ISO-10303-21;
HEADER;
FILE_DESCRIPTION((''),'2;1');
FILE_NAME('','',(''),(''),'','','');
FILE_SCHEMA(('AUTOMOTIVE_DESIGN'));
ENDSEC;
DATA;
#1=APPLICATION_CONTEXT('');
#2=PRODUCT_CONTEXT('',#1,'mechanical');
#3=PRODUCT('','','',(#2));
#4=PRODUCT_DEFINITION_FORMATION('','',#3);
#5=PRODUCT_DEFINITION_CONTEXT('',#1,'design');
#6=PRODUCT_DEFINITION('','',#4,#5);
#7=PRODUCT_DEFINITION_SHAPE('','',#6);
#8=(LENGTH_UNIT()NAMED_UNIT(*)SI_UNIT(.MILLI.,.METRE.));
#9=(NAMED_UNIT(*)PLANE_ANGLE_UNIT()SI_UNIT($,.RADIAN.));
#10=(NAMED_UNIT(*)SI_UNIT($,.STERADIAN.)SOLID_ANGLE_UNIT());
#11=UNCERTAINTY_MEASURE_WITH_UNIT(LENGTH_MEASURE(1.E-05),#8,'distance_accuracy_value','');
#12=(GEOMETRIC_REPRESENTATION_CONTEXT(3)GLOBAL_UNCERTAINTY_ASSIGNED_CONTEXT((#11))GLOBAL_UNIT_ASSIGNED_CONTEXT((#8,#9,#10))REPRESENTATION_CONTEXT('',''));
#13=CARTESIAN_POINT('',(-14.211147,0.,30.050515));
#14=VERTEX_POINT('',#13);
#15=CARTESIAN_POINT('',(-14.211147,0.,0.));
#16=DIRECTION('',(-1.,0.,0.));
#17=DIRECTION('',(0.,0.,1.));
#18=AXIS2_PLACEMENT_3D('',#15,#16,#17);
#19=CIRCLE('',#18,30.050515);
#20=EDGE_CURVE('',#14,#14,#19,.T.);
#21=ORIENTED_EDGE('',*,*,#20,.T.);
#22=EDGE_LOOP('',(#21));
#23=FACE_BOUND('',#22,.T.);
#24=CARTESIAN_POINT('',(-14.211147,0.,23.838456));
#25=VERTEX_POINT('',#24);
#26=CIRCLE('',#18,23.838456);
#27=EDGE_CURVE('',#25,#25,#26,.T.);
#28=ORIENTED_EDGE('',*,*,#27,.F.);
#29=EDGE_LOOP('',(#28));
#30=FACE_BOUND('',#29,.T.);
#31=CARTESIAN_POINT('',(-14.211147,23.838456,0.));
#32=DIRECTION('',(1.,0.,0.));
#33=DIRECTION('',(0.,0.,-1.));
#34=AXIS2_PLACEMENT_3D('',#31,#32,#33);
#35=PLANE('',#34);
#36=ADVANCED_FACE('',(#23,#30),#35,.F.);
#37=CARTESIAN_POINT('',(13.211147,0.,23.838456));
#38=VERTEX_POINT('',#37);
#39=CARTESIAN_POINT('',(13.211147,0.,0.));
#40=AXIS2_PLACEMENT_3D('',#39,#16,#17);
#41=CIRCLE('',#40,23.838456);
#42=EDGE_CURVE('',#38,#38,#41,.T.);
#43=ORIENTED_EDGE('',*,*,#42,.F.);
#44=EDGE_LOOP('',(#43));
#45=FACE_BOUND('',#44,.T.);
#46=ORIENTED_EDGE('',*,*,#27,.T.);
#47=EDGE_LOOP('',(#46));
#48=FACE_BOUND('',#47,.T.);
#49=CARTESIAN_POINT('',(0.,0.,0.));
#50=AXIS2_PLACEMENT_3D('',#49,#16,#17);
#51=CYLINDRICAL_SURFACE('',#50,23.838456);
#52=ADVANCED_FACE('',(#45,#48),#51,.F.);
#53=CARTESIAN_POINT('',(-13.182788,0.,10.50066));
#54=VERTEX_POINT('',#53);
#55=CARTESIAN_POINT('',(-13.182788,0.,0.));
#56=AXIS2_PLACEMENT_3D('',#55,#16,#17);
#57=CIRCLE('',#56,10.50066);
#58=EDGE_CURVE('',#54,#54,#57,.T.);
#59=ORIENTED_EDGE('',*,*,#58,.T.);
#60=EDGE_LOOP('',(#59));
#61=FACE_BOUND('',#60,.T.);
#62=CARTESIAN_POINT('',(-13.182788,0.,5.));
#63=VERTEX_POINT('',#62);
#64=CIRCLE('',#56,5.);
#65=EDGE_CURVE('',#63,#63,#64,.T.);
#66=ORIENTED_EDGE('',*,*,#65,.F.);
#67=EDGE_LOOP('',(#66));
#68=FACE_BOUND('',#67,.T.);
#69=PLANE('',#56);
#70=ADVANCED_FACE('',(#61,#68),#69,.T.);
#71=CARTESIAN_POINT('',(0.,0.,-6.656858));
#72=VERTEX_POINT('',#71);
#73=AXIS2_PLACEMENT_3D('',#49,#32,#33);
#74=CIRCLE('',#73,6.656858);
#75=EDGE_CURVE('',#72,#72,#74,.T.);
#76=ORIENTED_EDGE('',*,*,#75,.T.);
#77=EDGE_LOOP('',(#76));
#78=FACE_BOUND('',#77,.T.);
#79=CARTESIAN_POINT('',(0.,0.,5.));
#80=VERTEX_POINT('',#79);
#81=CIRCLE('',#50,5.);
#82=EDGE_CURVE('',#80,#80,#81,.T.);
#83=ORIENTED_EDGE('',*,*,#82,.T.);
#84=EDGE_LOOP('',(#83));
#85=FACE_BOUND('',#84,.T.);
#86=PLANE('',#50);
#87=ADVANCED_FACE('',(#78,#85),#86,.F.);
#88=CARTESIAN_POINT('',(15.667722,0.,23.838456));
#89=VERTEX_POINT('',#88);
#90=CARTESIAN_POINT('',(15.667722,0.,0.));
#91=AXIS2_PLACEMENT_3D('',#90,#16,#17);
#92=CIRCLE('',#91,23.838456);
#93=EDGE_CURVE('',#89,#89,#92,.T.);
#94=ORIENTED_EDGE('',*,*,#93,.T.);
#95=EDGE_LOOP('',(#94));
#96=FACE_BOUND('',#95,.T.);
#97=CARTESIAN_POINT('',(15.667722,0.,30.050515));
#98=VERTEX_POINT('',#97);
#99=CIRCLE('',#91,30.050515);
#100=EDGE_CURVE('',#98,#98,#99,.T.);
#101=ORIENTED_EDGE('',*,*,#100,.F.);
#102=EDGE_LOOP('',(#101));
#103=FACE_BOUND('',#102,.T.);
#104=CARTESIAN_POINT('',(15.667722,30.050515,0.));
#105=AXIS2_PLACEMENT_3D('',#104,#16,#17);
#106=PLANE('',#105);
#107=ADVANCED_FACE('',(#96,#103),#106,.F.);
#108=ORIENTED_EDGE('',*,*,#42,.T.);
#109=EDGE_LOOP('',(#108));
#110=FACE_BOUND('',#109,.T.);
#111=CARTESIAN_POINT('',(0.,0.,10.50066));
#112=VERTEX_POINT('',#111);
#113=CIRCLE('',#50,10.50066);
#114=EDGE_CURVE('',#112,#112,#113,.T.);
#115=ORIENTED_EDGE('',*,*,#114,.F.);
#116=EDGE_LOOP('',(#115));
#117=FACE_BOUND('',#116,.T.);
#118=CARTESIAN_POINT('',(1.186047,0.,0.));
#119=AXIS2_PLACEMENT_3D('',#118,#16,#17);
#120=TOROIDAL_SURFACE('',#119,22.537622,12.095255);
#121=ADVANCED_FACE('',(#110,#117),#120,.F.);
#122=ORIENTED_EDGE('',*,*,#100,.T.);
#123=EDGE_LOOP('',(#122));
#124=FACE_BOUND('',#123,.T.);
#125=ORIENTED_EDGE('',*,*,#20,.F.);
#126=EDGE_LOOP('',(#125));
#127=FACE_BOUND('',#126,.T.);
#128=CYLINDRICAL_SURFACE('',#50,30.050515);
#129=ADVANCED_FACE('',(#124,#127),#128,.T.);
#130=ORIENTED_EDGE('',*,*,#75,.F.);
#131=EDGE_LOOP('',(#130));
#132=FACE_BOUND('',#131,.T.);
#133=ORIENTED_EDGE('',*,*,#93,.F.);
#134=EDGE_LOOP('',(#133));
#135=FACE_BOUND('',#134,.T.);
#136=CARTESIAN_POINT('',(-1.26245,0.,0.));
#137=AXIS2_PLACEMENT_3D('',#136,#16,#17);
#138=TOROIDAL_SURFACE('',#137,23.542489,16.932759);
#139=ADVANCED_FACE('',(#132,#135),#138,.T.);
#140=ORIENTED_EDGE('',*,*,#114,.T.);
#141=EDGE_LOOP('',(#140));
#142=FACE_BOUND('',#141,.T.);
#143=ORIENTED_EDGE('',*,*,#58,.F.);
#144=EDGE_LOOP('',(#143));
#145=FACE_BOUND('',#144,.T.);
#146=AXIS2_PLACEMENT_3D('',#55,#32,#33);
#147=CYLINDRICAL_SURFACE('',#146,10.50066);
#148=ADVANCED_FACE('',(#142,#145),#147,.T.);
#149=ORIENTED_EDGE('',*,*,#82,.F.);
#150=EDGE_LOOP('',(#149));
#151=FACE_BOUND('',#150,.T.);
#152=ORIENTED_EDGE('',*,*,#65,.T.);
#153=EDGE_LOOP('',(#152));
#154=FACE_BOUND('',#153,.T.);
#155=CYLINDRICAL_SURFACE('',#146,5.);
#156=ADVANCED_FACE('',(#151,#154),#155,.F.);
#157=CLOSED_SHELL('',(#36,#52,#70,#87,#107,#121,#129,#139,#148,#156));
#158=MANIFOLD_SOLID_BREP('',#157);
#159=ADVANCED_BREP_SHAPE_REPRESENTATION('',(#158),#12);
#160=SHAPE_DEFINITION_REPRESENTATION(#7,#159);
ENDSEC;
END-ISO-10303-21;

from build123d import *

# Parameters (mm, degrees)
SKETCH2_R           = 10.500659562
SKETCH2_R_2         = 5
BOSS_EXTRUDE2_DEPTH = 13.182787508


with BuildPart() as part:
    # Sketch1 → Revolve1 (revolve)
    with BuildSketch(Plane.XY):
        with BuildLine():
            Line((10.667721535, 30.050515382), (15.667721535, 30.050515382))
            Line((15.667721535, 30.050515382), (15.667721535, 23.838456429))
            ThreePointArc((15.667721535, 23.838456429), (11.249332557, 12.133123747), (0, 6.656857557))
            Line((0, 6.656857557), (0, 10.500659562))
            ThreePointArc((0, 10.500659562), (9.779386002, 14.025882573), (13.211146798, 23.838456429))
            Line((13.211146798, 23.838456429), (-14.211146798, 23.838456429))
            Line((-14.211146798, 23.838456429), (-14.211146798, 30.050515382))
            Line((-14.211146798, 30.050515382), (-9.211146798, 30.050515382))
            Line((-9.211146798, 30.050515382), (10.667721535, 30.050515382))
        make_face()
    revolve(axis=Axis((0, 0, 0), (1, 0, 0)))

    # Sketch2 → Boss-Extrude2 (add)
    with BuildSketch(Plane.ZY):
        Circle(SKETCH2_R)
        Circle(SKETCH2_R_2, mode=Mode.SUBTRACT)
    extrude(amount=BOSS_EXTRUDE2_DEPTH)


solid = part.part
